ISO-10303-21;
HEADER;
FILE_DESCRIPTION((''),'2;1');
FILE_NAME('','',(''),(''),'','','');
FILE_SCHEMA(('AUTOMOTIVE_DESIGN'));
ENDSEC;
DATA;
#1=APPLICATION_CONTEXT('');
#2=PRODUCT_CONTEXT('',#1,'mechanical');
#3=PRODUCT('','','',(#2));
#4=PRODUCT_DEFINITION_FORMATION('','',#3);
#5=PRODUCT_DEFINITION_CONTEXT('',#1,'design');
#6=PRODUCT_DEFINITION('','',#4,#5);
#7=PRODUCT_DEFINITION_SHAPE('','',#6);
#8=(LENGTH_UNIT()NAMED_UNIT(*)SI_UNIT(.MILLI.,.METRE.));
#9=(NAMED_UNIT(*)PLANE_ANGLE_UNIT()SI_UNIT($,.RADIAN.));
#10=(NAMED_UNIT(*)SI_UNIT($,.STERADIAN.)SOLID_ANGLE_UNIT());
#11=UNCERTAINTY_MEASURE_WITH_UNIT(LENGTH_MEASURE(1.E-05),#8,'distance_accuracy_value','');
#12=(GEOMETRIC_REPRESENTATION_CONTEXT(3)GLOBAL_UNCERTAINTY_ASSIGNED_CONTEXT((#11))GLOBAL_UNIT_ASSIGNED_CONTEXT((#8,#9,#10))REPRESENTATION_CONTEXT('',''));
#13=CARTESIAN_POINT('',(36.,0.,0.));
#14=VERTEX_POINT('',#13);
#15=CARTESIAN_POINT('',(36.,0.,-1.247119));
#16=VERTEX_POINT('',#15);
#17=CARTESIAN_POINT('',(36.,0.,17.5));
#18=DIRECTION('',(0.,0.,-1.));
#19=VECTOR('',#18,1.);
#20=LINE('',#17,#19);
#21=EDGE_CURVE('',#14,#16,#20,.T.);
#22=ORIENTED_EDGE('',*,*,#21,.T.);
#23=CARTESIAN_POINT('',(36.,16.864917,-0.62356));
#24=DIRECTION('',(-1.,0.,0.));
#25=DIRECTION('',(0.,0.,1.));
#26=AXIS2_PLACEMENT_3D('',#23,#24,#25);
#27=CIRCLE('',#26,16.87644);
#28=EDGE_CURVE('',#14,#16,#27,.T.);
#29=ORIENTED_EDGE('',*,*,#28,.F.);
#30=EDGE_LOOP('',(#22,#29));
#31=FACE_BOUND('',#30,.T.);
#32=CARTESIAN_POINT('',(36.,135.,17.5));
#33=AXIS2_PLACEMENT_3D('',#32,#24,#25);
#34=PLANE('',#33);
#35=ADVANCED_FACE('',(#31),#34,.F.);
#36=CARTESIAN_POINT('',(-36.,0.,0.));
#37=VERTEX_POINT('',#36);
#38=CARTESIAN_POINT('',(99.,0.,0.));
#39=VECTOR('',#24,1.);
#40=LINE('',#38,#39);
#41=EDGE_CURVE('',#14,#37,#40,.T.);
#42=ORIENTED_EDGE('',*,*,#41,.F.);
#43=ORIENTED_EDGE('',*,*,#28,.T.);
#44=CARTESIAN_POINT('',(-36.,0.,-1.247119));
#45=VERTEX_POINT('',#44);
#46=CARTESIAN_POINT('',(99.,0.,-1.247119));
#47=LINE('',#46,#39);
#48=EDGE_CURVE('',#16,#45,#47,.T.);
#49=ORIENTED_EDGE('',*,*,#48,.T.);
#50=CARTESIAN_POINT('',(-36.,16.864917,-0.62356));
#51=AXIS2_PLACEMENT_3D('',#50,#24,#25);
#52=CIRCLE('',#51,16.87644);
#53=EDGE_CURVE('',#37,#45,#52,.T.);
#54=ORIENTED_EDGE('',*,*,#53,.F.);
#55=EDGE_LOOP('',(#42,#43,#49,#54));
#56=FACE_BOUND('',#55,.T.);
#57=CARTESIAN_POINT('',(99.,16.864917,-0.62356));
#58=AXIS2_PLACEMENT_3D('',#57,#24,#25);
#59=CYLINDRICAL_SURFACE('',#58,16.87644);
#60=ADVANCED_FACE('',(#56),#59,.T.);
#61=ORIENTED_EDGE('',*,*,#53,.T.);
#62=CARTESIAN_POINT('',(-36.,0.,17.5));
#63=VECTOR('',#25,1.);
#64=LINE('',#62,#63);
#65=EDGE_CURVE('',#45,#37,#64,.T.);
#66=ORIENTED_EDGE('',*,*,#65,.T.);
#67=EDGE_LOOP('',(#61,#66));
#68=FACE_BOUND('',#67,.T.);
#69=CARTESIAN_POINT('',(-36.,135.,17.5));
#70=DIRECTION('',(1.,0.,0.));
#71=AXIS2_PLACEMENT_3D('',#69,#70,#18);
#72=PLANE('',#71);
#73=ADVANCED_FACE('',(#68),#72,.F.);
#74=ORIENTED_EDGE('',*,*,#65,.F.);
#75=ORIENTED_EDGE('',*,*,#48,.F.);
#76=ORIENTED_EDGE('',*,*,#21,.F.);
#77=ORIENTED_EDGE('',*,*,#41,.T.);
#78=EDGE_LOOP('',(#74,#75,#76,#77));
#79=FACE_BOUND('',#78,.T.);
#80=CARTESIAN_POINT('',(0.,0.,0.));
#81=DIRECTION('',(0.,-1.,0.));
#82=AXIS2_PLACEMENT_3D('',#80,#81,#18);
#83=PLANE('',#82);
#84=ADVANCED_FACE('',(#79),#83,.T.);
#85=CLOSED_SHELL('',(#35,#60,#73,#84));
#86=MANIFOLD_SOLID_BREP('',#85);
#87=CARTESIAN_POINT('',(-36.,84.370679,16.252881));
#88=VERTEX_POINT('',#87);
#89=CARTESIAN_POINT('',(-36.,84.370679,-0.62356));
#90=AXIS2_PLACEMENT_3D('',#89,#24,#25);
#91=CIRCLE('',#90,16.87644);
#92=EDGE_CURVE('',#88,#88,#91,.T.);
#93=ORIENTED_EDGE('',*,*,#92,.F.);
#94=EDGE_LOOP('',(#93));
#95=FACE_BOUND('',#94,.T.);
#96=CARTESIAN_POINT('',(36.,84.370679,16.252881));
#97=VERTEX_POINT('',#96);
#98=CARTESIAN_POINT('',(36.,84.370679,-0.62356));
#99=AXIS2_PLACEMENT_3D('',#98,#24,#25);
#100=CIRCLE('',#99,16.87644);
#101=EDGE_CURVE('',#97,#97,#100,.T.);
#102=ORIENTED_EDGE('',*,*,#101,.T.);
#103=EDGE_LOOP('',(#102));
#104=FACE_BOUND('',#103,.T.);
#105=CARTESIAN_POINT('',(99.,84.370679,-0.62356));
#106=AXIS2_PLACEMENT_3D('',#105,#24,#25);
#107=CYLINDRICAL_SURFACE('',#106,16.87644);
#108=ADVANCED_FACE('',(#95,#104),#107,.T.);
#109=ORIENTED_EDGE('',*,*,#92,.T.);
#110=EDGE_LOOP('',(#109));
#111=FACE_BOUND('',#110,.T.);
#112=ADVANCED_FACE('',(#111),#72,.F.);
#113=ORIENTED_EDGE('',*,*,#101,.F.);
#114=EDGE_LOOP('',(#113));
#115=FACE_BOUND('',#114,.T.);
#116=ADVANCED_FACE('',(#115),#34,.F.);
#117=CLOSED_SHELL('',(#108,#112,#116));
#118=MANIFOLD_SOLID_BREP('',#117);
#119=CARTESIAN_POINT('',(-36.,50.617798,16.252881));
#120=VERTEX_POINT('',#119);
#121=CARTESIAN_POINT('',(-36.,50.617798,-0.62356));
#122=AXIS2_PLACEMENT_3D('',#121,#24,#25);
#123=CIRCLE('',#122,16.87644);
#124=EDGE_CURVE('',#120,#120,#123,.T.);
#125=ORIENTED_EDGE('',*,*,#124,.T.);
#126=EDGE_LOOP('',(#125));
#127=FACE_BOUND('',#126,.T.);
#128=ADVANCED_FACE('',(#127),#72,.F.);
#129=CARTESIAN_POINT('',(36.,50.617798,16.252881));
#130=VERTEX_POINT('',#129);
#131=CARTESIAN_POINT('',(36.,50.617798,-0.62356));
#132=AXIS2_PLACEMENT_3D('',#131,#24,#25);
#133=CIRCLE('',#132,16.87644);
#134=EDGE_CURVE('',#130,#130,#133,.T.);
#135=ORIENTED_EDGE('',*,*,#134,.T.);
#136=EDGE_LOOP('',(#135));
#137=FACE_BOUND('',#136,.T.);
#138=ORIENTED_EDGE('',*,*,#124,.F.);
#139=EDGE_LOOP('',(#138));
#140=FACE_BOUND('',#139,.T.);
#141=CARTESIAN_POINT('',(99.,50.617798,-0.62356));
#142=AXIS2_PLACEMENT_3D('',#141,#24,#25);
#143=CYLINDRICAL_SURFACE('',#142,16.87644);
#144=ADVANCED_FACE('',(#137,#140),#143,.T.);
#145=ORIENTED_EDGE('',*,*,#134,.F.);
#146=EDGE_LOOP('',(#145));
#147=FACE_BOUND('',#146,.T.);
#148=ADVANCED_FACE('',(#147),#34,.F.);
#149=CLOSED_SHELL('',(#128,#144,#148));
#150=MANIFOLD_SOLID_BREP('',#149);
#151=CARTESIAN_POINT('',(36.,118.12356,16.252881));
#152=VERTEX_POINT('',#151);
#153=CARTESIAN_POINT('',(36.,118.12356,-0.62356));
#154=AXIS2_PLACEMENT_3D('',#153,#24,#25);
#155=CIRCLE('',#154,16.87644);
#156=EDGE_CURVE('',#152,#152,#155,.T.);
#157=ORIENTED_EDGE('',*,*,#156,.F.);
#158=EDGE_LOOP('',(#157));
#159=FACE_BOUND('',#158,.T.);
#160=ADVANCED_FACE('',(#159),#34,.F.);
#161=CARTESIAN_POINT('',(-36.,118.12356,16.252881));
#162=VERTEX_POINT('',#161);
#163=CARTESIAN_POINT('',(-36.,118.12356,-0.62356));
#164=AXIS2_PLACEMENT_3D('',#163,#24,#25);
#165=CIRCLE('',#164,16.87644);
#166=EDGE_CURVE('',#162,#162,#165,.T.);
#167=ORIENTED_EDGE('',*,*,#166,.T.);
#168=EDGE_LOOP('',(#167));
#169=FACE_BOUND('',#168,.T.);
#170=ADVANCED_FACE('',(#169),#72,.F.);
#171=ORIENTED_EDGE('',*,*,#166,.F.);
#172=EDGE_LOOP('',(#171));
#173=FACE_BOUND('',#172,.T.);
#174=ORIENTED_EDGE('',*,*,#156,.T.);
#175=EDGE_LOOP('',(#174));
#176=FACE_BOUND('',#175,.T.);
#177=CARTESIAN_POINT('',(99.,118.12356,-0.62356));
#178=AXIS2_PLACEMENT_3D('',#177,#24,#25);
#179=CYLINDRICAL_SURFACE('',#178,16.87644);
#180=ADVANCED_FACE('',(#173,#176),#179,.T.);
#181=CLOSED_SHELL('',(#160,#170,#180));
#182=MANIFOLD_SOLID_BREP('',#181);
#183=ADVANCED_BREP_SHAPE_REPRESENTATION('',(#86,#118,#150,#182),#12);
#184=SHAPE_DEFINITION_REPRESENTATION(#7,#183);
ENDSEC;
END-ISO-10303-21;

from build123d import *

# Parameters (mm, degrees)
SKETCH2_W           = 72
SKETCH2_H           = 35
BOSS_EXTRUDE1_DEPTH = 135
CUT_EXTRUDE1_DEPTH  = 135


with BuildPart() as part:
    # Sketch2 → Boss-Extrude1 (new body)
    with BuildSketch(Plane(origin=(0, 0, 0), x_dir=(1, 0, 0), z_dir=(0, 1, 0))):
        Rectangle(SKETCH2_W, SKETCH2_H)
    extrude(amount=BOSS_EXTRUDE1_DEPTH)

    # Sketch3 → Cut-Extrude1 (cut)
    with BuildSketch(Plane.ZY.offset(36)):
        with BuildLine():
            ThreePointArc((-0.623559533, 101.247119066), (-12.55700503, 106.190114037), (-17.5, 118.123559533))
            Line((-17.5, 118.123559533), (-17.5, 84.370678599))
            ThreePointArc((-17.5, 84.370678599), (-12.55700503, 96.304124096), (-0.623559533, 101.247119066))
        make_face()
        with BuildLine():
            Line((-0.623559437, 135), (-17.5, 135))
            Line((-17.5, 135), (-17.5, 118.123559533))
            ThreePointArc((-17.5, 118.123559533), (-12.557004996, 130.057005063), (-0.623559437, 135))
        make_face()
        with BuildLine():
            Line((17.5, 135), (-0.623559437, 135))
            ThreePointArc((-0.623559437, 135), (11.309885997, 130.057004996), (16.252880934, 118.123559533))
            ThreePointArc((16.252880934, 118.123559533), (11.309885963, 106.190114037), (-0.623559533, 101.247119066))
            ThreePointArc((-0.623559533, 101.247119066), (11.309885963, 96.304124096), (16.252880934, 84.370678599))
            ThreePointArc((16.252880934, 84.370678599), (11.309885963, 72.437233103), (-0.623559533, 67.494238132))
            ThreePointArc((-0.623559533, 67.494238132), (11.309885963, 62.551243162), (16.252880934, 50.617797665))
            ThreePointArc((16.252880934, 50.617797665), (11.30988595, 38.684352155), (-0.623559572, 33.741357198))
            ThreePointArc((-0.623559572, 33.741357198), (11.30988595, 28.798362241), (16.252880934, 16.864916731))
            ThreePointArc((16.252880934, 16.864916731), (11.528347893, 5.154007768), (0, 0))
            Line((0, 0), (17.5, 0))
            Line((17.5, 0), (17.5, 135))
        make_face()
        with BuildLine():
            ThreePointArc((-0.623559533, 67.494238132), (-12.55700503, 72.437233103), (-17.5, 84.370678599))
            Line((-17.5, 84.370678599), (-17.5, 50.617797777))
            ThreePointArc((-17.5, 50.617797777), (-12.55700499, 62.551243201), (-0.623559533, 67.494238132))
        make_face()
        with BuildLine():
            ThreePointArc((-0.623559572, 33.741357198), (-12.557005083, 38.684352222), (-17.5, 50.617797777))
            Line((-17.5, 50.617797777), (-17.5, 16.864916675))
            ThreePointArc((-17.5, 16.864916675), (-12.557005063, 28.798362194), (-0.623559572, 33.741357198))
        make_face()
        with BuildLine():
            ThreePointArc((-1.247119066, 0), (-12.775466939, 5.154007747), (-17.5, 16.864916675))
            Line((-17.5, 16.864916675), (-17.5, 0))
            Line((-17.5, 0), (-1.247119066, 0))
        make_face()
    extrude(amount=-CUT_EXTRUDE1_DEPTH, mode=Mode.SUBTRACT)


solid = part.part
